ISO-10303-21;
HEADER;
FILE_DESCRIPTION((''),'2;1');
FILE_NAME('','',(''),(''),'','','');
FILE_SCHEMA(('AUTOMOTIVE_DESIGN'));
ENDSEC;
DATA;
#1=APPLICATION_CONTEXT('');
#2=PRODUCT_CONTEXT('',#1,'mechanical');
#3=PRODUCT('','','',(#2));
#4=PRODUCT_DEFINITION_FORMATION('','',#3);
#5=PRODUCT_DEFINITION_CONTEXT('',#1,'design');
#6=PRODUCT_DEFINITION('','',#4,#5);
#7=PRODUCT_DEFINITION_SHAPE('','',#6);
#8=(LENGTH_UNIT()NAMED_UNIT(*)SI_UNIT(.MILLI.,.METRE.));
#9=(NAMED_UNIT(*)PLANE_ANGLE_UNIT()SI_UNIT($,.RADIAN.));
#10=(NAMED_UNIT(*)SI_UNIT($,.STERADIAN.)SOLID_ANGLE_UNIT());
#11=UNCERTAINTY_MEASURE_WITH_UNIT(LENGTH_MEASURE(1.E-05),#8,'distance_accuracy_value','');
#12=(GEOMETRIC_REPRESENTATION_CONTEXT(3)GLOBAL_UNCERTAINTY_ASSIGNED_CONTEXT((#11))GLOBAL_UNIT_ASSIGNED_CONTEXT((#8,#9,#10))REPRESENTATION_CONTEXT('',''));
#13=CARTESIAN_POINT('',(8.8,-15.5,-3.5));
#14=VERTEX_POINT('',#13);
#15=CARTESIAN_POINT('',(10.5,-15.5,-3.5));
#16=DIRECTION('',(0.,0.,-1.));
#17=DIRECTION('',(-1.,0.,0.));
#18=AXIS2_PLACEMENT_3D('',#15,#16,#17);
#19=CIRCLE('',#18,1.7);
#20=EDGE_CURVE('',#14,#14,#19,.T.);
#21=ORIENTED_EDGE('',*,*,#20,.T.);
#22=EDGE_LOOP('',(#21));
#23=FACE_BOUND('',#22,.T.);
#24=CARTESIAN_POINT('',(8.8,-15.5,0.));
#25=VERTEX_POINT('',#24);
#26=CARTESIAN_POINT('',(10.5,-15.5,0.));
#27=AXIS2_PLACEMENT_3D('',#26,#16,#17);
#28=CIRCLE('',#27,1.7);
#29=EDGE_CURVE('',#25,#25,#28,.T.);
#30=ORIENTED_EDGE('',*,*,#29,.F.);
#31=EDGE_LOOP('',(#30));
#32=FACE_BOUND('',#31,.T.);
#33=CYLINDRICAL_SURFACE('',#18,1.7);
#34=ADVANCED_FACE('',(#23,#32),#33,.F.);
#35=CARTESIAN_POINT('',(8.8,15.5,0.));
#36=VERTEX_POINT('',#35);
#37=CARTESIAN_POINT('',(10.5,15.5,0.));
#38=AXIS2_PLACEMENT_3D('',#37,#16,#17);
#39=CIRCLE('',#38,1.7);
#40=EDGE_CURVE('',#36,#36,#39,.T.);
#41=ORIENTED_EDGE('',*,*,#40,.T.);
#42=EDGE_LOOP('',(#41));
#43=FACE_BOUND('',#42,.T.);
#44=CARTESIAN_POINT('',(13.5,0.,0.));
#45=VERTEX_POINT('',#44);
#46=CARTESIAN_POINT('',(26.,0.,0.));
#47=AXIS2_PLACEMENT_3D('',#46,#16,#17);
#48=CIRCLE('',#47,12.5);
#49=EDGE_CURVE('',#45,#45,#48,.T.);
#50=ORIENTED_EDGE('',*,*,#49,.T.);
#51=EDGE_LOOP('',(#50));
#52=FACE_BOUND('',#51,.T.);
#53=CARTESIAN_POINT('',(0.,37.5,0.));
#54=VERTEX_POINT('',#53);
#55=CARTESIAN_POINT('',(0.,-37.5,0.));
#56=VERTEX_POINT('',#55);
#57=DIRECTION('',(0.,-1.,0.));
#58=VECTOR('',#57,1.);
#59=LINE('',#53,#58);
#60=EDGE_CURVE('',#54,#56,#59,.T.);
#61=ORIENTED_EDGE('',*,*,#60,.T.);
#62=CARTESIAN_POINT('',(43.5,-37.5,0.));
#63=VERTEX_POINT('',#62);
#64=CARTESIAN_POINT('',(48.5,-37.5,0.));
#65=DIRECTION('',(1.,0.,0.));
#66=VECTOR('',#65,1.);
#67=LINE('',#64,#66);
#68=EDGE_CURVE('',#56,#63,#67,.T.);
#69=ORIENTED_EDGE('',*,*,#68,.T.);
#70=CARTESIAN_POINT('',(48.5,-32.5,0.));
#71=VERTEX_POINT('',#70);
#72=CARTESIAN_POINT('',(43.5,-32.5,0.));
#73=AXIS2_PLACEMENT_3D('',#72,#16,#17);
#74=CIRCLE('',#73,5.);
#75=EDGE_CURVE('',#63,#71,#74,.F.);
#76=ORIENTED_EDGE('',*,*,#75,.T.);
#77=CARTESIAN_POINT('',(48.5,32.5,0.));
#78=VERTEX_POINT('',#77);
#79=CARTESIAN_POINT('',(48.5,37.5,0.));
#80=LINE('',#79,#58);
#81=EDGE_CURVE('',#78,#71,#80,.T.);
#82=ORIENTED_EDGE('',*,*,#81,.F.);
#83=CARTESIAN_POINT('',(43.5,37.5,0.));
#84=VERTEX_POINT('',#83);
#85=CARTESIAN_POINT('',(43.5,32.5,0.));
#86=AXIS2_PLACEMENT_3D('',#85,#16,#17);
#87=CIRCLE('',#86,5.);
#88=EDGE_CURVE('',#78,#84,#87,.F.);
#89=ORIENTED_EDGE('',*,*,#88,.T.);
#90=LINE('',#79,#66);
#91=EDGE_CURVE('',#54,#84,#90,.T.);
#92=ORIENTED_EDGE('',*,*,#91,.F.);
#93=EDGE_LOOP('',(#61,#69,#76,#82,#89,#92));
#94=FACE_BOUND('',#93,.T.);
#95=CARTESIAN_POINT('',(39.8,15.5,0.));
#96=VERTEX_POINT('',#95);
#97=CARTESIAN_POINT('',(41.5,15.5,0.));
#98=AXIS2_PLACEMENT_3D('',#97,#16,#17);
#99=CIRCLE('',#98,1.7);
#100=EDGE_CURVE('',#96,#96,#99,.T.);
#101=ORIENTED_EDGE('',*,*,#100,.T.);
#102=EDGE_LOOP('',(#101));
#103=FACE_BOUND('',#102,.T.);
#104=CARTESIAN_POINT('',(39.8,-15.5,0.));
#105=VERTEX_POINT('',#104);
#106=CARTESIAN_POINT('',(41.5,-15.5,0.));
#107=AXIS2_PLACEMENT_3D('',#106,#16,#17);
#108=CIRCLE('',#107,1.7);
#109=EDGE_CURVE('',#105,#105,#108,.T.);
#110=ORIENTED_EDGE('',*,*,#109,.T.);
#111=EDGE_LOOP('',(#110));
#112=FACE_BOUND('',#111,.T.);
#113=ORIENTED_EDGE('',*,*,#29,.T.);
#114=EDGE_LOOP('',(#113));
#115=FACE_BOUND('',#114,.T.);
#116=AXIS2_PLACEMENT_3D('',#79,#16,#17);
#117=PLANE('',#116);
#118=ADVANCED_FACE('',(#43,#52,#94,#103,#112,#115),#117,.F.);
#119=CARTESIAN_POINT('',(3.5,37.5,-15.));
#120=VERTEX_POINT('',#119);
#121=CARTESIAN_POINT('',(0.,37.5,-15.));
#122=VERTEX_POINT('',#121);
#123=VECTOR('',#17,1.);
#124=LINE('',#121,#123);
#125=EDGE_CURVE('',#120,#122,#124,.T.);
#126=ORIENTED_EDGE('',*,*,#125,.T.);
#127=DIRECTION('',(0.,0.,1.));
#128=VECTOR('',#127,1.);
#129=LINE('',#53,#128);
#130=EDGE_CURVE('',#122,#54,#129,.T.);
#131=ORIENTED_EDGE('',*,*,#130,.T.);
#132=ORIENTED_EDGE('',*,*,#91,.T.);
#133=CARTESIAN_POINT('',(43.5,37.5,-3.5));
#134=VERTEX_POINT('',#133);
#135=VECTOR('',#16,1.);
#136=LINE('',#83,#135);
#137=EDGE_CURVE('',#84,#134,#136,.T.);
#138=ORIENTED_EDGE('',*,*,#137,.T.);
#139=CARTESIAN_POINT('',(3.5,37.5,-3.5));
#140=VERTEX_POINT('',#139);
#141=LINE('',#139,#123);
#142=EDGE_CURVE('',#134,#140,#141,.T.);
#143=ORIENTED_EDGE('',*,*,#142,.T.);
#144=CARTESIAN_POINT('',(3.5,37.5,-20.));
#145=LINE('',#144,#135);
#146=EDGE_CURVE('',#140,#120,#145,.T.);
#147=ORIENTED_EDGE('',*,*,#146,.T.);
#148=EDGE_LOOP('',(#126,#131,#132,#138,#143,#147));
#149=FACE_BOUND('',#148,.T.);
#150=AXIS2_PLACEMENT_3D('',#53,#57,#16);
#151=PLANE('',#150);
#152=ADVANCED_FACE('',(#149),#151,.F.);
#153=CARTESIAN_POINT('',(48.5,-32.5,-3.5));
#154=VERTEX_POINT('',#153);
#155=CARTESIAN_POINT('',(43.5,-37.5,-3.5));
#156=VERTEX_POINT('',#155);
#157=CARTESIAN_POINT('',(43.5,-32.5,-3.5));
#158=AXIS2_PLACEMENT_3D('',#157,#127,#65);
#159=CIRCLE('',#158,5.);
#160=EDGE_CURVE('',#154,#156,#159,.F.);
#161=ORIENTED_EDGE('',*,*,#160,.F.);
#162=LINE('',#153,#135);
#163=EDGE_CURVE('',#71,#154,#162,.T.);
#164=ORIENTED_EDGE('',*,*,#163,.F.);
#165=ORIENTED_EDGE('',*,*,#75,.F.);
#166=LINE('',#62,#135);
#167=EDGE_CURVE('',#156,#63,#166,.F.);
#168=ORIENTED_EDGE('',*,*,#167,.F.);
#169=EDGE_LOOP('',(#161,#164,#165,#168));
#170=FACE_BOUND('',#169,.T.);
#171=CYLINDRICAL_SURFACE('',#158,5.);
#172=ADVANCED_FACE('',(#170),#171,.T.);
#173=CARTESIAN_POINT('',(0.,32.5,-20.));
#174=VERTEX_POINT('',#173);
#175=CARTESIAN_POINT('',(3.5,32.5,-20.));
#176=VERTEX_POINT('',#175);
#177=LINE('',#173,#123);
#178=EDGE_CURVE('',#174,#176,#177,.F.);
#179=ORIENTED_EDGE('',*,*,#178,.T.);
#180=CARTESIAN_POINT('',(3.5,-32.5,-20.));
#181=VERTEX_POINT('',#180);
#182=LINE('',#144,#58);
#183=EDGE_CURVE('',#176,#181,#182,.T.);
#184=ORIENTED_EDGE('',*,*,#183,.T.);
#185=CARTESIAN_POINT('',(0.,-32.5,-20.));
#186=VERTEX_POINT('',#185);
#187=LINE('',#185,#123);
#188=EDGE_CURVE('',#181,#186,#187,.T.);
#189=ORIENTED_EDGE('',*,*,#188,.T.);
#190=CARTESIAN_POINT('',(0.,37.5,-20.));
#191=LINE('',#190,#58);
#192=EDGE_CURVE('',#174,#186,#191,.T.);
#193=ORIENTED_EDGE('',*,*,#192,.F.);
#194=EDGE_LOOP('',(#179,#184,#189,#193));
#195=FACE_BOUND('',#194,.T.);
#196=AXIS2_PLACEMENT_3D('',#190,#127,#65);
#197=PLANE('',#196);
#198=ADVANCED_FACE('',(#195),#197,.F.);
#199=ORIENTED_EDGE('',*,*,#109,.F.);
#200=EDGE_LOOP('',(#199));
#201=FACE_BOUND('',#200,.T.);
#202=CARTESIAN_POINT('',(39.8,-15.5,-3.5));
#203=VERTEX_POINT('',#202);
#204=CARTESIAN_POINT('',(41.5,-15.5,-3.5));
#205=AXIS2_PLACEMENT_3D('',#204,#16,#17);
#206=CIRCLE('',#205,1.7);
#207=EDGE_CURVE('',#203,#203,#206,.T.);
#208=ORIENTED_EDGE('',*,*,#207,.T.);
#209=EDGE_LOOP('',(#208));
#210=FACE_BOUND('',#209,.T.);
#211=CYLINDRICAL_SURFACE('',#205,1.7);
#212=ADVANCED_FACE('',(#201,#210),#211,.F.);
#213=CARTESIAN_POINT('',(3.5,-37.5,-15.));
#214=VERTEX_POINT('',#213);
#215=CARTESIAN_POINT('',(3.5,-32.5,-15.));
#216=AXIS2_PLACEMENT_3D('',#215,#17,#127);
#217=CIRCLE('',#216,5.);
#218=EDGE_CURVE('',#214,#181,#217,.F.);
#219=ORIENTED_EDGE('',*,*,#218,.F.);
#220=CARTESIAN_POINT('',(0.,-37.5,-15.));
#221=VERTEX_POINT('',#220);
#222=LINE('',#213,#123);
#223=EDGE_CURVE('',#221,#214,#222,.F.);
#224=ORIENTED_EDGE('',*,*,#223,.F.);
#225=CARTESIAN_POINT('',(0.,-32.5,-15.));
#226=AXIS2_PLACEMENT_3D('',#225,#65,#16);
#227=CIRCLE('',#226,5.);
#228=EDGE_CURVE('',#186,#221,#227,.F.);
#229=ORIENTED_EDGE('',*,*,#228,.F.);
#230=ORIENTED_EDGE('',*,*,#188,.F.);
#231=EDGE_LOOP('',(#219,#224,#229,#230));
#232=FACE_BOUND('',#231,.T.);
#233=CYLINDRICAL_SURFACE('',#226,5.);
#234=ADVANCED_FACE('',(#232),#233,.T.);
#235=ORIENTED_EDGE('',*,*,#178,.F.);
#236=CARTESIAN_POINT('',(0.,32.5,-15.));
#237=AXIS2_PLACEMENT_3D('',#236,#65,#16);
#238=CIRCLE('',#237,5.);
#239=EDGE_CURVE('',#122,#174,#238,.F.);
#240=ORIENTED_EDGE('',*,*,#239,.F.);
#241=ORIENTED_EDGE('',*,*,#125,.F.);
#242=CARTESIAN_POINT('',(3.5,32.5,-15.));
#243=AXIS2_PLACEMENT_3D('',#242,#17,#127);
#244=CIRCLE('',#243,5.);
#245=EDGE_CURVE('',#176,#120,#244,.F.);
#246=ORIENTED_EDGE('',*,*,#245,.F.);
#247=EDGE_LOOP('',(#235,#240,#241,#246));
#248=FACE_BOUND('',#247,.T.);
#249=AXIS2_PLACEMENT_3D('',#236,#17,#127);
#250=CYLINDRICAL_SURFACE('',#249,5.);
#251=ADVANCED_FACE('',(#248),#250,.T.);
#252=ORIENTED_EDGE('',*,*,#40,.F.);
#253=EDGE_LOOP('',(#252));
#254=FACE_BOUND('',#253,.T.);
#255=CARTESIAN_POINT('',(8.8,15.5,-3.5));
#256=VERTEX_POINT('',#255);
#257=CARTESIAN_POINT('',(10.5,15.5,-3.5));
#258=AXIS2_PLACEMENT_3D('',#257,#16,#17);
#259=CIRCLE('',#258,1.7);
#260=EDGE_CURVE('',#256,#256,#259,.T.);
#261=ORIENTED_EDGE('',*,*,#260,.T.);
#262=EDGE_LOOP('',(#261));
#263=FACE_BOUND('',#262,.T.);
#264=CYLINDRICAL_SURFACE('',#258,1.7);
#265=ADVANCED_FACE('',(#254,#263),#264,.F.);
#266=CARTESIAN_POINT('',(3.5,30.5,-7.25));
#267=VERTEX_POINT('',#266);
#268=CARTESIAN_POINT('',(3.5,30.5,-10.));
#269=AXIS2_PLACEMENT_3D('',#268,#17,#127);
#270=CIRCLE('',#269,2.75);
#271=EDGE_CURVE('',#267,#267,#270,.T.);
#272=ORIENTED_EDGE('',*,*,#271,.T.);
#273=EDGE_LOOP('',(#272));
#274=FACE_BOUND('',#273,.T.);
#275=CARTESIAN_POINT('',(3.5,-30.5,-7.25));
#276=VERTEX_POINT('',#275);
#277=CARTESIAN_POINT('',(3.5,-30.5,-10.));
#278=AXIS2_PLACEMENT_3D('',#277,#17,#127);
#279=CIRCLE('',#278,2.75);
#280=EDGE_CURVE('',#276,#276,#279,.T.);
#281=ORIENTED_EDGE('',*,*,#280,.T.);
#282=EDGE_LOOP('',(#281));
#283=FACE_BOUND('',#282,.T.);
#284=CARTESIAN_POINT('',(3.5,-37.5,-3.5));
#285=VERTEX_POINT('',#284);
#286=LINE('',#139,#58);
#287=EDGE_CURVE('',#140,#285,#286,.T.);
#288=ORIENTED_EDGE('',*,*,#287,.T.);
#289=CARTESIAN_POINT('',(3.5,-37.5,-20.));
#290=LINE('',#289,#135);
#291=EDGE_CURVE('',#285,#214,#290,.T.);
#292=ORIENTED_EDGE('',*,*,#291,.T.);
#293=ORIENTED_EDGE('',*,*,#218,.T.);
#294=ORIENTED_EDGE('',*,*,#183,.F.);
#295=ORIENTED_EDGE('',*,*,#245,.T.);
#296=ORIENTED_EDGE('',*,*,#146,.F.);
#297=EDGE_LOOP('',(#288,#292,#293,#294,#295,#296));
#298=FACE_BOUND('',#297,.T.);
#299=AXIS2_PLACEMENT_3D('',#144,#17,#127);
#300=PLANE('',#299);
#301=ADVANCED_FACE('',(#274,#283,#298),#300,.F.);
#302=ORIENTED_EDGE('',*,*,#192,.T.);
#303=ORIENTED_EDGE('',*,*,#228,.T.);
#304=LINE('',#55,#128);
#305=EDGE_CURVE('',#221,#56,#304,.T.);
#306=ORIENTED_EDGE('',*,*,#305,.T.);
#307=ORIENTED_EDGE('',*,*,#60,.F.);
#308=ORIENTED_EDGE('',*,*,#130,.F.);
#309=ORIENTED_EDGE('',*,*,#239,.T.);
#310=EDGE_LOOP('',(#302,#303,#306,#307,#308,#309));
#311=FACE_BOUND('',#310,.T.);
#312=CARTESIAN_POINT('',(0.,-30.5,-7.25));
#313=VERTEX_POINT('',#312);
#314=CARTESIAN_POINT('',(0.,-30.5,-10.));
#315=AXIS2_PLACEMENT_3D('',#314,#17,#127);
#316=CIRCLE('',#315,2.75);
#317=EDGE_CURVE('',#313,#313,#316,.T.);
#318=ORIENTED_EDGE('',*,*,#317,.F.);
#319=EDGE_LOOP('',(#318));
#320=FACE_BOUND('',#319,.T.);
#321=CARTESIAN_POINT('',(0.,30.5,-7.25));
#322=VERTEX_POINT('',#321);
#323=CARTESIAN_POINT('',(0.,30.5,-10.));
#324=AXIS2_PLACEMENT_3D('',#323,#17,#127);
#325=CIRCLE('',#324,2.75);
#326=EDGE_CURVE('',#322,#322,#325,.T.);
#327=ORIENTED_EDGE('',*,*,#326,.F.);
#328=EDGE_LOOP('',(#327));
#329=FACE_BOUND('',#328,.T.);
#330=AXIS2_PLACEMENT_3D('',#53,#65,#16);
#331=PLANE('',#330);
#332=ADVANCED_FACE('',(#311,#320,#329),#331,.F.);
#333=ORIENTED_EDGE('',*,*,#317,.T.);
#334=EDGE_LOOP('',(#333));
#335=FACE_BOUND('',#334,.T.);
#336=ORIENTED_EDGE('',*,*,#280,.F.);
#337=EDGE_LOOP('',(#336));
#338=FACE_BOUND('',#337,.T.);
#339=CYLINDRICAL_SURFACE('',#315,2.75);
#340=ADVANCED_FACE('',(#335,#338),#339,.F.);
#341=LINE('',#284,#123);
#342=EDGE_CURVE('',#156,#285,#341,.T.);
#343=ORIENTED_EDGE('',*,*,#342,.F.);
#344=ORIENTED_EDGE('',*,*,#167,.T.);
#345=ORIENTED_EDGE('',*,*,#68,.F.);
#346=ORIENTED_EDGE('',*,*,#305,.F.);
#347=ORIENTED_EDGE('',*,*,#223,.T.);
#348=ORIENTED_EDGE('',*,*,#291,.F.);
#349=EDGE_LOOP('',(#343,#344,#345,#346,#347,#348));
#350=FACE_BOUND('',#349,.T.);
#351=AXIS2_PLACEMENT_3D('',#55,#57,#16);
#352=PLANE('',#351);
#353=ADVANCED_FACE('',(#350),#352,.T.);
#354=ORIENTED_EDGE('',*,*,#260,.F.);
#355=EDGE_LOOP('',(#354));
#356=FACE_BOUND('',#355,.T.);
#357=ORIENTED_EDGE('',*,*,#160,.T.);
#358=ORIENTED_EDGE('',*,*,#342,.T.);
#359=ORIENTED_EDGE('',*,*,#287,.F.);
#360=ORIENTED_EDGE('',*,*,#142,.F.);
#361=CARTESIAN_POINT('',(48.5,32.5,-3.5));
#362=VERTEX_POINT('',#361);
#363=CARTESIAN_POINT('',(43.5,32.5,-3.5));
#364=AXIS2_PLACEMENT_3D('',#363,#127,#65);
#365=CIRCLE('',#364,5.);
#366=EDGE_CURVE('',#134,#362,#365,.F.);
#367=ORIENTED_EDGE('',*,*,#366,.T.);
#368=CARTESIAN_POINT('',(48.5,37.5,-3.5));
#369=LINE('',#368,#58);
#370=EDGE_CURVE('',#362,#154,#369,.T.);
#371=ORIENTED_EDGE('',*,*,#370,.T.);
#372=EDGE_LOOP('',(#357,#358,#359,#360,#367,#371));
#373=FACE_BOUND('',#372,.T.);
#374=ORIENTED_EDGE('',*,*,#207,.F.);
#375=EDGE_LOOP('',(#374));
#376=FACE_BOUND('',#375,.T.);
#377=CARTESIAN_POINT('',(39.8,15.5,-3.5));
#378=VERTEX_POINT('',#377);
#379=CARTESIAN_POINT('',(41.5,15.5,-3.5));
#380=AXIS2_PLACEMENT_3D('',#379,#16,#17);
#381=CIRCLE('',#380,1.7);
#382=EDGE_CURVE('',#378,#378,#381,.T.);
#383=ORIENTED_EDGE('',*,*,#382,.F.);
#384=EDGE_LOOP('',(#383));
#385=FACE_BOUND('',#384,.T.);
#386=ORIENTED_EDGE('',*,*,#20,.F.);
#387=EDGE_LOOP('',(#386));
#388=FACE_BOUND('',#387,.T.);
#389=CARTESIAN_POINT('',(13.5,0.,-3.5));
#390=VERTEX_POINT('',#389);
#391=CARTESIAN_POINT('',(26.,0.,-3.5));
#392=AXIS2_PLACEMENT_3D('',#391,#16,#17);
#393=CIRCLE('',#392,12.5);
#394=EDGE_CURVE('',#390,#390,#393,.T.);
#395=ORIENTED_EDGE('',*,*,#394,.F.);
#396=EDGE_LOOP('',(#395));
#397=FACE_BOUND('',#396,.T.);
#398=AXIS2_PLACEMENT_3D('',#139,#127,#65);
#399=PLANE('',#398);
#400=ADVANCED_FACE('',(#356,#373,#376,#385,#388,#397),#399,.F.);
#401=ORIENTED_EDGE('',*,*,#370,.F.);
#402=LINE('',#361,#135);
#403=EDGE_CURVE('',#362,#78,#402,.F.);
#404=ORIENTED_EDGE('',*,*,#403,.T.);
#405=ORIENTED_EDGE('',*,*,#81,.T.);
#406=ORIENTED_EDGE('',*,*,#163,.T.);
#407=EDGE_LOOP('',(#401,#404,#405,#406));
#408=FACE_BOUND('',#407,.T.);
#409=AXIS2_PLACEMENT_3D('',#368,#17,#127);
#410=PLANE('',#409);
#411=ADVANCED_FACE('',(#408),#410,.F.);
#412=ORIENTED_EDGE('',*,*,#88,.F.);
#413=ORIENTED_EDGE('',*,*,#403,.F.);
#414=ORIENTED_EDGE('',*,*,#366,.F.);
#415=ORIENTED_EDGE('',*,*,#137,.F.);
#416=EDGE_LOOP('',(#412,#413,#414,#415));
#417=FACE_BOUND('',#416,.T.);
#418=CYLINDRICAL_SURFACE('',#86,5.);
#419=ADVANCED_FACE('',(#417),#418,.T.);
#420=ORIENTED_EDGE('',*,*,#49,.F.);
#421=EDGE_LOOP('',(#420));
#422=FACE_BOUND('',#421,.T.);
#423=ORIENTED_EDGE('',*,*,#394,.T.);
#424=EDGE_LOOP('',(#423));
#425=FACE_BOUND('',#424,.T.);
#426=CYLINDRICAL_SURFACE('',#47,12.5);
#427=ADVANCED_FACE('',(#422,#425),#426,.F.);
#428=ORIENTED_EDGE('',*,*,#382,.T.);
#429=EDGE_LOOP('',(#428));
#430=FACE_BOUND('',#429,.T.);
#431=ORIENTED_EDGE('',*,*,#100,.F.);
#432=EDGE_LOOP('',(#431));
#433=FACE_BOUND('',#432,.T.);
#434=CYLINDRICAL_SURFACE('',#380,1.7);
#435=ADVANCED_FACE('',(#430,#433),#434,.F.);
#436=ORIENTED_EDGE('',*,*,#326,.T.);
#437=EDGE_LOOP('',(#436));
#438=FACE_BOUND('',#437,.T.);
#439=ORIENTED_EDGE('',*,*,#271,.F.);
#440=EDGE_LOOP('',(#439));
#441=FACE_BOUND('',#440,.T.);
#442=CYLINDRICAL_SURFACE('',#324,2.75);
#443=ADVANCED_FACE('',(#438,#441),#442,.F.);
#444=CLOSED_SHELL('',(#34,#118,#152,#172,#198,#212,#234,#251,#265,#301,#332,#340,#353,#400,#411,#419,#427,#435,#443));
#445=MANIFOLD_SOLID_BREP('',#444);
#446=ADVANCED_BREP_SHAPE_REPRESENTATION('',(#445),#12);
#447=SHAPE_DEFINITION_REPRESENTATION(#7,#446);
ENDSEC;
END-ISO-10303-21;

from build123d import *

# Parameters (mm, degrees)
BOSS_EXTRUDE1_DEPTH  = 37.5
M3_CLEARANCE_HOLE1_D = 3.4
SKETCH4_R            = 12.5
CUT_EXTRUDE1_DEPTH   = 64.488187878
M5_CLEARANCE_HOLE1_D = 5.5
FILLET1_R            = 5


with BuildPart() as part:
    # Sketch1 → Boss-Extrude1 (new, symmetric)
    with BuildSketch(Plane(origin=(0, 0, 0), x_dir=(1, 0, 0), z_dir=(0, 1, 0))):
        Polygon((0, 0), (0, 20), (3.5, 20), (3.5, 3.5), (48.5, 3.5), (48.5, 0), align=None)
    extrude(amount=BOSS_EXTRUDE1_DEPTH, both=True)

    # M3 Clearance Hole1 (through all)
    with Locations(Plane(origin=(0, 0, -3.5), x_dir=(-1, 0, 0), z_dir=(0, 0, -1))):
        with Locations((-41.5, 15.5), (-10.5, 15.5), (-10.5, -15.5), (-41.5, -15.5)):
            Hole(M3_CLEARANCE_HOLE1_D / 2)

    # Sketch4 → Cut-Extrude1 (cut, through all)
    with BuildSketch(Plane(origin=(0, 0, -3.5), x_dir=(-1, 0, 0), z_dir=(0, 0, -1))):
        with Locations((-26, 0)):
            Circle(SKETCH4_R)
    extrude(amount=-CUT_EXTRUDE1_DEPTH, mode=Mode.SUBTRACT)

    # M5 Clearance Hole1 (through all)
    with Locations(Plane.ZY):
        with Locations((-10, 30.5), (-10, -30.5)):
            Hole(M5_CLEARANCE_HOLE1_D / 2)

    # Fillet1
    fillet1_edges = [part.edges().sort_by_distance(p)[0] for p in [
        (1.75, 37.5, -20),
        (1.75, -37.5, -20),
        (48.5, -37.5, -1.75),
        (48.5, 37.5, -1.75),
    ]]
    fillet(fillet1_edges, radius=FILLET1_R)


solid = part.part
